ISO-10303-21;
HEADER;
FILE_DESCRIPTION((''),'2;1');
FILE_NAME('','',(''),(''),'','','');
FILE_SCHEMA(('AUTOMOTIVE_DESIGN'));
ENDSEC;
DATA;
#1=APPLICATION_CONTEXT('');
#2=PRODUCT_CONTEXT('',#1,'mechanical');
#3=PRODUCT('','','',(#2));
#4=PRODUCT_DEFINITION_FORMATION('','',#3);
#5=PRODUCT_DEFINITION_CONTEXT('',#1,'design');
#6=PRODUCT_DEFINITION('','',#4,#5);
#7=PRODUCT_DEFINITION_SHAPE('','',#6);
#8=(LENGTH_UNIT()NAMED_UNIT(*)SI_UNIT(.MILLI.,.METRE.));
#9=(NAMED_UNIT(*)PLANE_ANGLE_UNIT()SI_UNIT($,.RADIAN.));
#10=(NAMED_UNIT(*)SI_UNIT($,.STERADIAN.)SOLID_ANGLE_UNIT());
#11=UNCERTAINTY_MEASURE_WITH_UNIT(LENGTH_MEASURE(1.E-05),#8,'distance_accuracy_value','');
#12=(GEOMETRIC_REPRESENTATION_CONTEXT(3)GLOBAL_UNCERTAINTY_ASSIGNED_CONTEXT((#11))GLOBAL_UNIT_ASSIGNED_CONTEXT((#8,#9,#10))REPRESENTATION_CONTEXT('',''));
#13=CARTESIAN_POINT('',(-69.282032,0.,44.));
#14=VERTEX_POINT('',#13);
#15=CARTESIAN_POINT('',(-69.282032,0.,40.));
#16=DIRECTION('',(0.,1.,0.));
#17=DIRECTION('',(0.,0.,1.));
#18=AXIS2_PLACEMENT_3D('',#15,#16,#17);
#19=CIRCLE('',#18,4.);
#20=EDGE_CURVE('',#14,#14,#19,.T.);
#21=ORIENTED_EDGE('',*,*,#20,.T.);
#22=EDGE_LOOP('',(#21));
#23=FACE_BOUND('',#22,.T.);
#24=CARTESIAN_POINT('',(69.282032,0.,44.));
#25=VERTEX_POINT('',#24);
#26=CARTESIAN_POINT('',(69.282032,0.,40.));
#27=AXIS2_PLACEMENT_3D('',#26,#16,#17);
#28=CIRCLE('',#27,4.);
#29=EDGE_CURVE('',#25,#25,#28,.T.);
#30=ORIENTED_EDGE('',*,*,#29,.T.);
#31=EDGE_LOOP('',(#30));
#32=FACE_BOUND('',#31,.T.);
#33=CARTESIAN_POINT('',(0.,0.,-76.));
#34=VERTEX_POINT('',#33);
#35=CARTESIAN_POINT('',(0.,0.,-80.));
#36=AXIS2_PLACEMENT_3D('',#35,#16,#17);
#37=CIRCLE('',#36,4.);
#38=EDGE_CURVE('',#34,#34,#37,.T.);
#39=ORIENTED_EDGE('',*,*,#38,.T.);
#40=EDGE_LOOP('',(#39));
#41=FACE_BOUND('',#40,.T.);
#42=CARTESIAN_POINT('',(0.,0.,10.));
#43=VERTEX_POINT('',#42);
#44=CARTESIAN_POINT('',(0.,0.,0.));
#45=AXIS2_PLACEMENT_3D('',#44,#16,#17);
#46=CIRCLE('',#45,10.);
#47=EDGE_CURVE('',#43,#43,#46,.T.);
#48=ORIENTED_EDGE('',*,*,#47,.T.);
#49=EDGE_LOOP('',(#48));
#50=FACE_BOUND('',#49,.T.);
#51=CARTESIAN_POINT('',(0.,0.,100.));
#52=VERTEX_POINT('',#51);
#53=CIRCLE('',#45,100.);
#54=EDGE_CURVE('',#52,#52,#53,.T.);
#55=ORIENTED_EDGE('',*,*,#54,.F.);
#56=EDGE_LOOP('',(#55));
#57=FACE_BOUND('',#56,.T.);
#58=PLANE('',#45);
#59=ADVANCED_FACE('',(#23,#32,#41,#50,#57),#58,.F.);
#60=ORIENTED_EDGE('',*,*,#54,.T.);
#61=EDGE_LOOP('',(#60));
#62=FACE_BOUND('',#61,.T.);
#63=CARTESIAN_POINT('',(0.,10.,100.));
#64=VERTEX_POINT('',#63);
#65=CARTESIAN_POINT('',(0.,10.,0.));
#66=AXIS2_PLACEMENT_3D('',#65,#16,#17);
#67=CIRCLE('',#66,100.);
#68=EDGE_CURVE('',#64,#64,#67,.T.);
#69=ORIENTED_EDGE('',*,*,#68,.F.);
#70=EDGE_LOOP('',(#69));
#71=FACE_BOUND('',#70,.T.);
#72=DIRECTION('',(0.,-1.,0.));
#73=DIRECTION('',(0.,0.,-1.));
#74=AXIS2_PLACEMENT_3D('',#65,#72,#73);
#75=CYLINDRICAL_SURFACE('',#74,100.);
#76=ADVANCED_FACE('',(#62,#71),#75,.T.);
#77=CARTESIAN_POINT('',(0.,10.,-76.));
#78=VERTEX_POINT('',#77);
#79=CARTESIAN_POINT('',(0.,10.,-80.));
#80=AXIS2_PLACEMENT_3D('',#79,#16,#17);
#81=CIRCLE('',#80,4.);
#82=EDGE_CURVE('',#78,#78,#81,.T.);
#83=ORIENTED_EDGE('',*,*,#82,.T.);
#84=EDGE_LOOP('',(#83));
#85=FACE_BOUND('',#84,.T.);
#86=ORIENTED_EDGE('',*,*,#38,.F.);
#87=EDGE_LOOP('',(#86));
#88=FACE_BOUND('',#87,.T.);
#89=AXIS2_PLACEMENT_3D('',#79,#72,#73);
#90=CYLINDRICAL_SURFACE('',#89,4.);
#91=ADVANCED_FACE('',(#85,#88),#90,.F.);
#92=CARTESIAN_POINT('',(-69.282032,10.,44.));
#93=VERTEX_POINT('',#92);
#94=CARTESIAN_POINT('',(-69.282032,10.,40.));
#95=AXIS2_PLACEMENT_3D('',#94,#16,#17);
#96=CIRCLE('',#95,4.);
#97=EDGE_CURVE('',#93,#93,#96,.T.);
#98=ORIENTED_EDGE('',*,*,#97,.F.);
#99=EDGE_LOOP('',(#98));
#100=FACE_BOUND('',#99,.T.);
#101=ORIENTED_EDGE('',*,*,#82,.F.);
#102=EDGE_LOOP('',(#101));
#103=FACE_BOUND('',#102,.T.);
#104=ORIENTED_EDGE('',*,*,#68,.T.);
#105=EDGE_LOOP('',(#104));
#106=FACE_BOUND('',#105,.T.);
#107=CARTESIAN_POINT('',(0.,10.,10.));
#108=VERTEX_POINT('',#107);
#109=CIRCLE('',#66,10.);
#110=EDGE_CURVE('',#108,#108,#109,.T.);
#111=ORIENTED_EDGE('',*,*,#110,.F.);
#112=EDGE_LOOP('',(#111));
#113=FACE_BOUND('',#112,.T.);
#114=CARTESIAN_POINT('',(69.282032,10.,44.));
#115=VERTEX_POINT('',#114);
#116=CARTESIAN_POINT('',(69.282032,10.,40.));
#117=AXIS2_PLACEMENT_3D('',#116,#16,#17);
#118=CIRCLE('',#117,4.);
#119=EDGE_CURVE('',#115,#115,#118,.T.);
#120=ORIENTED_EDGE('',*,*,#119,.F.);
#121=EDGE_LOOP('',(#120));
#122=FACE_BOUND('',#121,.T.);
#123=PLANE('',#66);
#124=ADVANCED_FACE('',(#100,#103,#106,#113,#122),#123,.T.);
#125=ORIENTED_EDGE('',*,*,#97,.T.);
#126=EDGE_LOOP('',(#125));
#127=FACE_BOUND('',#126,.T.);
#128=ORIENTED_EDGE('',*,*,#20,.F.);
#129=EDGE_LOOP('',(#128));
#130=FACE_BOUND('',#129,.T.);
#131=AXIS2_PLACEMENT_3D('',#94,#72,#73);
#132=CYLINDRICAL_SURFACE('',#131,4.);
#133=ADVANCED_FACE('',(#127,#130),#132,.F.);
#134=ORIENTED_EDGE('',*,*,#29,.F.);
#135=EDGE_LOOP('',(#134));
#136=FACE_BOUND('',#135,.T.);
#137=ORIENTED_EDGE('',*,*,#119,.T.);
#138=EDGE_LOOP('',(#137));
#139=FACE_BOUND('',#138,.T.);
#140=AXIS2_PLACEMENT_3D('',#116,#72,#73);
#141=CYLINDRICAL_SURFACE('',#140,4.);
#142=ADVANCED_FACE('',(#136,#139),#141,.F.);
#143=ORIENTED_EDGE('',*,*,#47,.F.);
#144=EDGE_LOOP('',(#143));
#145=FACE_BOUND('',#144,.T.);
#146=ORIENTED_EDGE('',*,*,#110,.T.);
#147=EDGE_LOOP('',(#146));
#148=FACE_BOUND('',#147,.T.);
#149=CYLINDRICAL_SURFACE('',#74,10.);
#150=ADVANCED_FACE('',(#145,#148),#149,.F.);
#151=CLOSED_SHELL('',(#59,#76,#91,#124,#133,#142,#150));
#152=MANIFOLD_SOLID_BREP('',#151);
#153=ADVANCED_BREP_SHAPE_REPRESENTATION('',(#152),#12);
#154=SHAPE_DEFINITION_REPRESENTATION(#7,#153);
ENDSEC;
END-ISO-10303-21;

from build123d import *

# Parameters (mm, degrees)
CROQUIS1_R              = 100
CROQUIS1_R_2            = 10
CROQUIS1_R_3            = 4
SALIENTE_EXTRUIR1_DEPTH = 10


with BuildPart() as part:
    # Croquis1 → Saliente-Extruir1 (new body)
    with BuildSketch(Plane(origin=(0, 0, 0), x_dir=(1, 0, 0), z_dir=(0, 1, 0))):
        with Locations(Location((0, 0, 0), (0, 0, 270))):
            Circle(CROQUIS1_R)
        with Locations(Location((0, 0, 0), (0, 0, 270))):
            Circle(CROQUIS1_R_2, mode=Mode.SUBTRACT)
        with Locations(Location((-69.282032303, -40, 0), (0, 0, 270))):
            Circle(CROQUIS1_R_3, mode=Mode.SUBTRACT)
        with Locations(Location((69.282032303, -40, 0), (0, 0, 270))):
            Circle(CROQUIS1_R_3, mode=Mode.SUBTRACT)
        with Locations(Location((0, 80, 0), (0, 0, 270))):
            Circle(CROQUIS1_R_3, mode=Mode.SUBTRACT)
    extrude(amount=SALIENTE_EXTRUIR1_DEPTH)


solid = part.part
